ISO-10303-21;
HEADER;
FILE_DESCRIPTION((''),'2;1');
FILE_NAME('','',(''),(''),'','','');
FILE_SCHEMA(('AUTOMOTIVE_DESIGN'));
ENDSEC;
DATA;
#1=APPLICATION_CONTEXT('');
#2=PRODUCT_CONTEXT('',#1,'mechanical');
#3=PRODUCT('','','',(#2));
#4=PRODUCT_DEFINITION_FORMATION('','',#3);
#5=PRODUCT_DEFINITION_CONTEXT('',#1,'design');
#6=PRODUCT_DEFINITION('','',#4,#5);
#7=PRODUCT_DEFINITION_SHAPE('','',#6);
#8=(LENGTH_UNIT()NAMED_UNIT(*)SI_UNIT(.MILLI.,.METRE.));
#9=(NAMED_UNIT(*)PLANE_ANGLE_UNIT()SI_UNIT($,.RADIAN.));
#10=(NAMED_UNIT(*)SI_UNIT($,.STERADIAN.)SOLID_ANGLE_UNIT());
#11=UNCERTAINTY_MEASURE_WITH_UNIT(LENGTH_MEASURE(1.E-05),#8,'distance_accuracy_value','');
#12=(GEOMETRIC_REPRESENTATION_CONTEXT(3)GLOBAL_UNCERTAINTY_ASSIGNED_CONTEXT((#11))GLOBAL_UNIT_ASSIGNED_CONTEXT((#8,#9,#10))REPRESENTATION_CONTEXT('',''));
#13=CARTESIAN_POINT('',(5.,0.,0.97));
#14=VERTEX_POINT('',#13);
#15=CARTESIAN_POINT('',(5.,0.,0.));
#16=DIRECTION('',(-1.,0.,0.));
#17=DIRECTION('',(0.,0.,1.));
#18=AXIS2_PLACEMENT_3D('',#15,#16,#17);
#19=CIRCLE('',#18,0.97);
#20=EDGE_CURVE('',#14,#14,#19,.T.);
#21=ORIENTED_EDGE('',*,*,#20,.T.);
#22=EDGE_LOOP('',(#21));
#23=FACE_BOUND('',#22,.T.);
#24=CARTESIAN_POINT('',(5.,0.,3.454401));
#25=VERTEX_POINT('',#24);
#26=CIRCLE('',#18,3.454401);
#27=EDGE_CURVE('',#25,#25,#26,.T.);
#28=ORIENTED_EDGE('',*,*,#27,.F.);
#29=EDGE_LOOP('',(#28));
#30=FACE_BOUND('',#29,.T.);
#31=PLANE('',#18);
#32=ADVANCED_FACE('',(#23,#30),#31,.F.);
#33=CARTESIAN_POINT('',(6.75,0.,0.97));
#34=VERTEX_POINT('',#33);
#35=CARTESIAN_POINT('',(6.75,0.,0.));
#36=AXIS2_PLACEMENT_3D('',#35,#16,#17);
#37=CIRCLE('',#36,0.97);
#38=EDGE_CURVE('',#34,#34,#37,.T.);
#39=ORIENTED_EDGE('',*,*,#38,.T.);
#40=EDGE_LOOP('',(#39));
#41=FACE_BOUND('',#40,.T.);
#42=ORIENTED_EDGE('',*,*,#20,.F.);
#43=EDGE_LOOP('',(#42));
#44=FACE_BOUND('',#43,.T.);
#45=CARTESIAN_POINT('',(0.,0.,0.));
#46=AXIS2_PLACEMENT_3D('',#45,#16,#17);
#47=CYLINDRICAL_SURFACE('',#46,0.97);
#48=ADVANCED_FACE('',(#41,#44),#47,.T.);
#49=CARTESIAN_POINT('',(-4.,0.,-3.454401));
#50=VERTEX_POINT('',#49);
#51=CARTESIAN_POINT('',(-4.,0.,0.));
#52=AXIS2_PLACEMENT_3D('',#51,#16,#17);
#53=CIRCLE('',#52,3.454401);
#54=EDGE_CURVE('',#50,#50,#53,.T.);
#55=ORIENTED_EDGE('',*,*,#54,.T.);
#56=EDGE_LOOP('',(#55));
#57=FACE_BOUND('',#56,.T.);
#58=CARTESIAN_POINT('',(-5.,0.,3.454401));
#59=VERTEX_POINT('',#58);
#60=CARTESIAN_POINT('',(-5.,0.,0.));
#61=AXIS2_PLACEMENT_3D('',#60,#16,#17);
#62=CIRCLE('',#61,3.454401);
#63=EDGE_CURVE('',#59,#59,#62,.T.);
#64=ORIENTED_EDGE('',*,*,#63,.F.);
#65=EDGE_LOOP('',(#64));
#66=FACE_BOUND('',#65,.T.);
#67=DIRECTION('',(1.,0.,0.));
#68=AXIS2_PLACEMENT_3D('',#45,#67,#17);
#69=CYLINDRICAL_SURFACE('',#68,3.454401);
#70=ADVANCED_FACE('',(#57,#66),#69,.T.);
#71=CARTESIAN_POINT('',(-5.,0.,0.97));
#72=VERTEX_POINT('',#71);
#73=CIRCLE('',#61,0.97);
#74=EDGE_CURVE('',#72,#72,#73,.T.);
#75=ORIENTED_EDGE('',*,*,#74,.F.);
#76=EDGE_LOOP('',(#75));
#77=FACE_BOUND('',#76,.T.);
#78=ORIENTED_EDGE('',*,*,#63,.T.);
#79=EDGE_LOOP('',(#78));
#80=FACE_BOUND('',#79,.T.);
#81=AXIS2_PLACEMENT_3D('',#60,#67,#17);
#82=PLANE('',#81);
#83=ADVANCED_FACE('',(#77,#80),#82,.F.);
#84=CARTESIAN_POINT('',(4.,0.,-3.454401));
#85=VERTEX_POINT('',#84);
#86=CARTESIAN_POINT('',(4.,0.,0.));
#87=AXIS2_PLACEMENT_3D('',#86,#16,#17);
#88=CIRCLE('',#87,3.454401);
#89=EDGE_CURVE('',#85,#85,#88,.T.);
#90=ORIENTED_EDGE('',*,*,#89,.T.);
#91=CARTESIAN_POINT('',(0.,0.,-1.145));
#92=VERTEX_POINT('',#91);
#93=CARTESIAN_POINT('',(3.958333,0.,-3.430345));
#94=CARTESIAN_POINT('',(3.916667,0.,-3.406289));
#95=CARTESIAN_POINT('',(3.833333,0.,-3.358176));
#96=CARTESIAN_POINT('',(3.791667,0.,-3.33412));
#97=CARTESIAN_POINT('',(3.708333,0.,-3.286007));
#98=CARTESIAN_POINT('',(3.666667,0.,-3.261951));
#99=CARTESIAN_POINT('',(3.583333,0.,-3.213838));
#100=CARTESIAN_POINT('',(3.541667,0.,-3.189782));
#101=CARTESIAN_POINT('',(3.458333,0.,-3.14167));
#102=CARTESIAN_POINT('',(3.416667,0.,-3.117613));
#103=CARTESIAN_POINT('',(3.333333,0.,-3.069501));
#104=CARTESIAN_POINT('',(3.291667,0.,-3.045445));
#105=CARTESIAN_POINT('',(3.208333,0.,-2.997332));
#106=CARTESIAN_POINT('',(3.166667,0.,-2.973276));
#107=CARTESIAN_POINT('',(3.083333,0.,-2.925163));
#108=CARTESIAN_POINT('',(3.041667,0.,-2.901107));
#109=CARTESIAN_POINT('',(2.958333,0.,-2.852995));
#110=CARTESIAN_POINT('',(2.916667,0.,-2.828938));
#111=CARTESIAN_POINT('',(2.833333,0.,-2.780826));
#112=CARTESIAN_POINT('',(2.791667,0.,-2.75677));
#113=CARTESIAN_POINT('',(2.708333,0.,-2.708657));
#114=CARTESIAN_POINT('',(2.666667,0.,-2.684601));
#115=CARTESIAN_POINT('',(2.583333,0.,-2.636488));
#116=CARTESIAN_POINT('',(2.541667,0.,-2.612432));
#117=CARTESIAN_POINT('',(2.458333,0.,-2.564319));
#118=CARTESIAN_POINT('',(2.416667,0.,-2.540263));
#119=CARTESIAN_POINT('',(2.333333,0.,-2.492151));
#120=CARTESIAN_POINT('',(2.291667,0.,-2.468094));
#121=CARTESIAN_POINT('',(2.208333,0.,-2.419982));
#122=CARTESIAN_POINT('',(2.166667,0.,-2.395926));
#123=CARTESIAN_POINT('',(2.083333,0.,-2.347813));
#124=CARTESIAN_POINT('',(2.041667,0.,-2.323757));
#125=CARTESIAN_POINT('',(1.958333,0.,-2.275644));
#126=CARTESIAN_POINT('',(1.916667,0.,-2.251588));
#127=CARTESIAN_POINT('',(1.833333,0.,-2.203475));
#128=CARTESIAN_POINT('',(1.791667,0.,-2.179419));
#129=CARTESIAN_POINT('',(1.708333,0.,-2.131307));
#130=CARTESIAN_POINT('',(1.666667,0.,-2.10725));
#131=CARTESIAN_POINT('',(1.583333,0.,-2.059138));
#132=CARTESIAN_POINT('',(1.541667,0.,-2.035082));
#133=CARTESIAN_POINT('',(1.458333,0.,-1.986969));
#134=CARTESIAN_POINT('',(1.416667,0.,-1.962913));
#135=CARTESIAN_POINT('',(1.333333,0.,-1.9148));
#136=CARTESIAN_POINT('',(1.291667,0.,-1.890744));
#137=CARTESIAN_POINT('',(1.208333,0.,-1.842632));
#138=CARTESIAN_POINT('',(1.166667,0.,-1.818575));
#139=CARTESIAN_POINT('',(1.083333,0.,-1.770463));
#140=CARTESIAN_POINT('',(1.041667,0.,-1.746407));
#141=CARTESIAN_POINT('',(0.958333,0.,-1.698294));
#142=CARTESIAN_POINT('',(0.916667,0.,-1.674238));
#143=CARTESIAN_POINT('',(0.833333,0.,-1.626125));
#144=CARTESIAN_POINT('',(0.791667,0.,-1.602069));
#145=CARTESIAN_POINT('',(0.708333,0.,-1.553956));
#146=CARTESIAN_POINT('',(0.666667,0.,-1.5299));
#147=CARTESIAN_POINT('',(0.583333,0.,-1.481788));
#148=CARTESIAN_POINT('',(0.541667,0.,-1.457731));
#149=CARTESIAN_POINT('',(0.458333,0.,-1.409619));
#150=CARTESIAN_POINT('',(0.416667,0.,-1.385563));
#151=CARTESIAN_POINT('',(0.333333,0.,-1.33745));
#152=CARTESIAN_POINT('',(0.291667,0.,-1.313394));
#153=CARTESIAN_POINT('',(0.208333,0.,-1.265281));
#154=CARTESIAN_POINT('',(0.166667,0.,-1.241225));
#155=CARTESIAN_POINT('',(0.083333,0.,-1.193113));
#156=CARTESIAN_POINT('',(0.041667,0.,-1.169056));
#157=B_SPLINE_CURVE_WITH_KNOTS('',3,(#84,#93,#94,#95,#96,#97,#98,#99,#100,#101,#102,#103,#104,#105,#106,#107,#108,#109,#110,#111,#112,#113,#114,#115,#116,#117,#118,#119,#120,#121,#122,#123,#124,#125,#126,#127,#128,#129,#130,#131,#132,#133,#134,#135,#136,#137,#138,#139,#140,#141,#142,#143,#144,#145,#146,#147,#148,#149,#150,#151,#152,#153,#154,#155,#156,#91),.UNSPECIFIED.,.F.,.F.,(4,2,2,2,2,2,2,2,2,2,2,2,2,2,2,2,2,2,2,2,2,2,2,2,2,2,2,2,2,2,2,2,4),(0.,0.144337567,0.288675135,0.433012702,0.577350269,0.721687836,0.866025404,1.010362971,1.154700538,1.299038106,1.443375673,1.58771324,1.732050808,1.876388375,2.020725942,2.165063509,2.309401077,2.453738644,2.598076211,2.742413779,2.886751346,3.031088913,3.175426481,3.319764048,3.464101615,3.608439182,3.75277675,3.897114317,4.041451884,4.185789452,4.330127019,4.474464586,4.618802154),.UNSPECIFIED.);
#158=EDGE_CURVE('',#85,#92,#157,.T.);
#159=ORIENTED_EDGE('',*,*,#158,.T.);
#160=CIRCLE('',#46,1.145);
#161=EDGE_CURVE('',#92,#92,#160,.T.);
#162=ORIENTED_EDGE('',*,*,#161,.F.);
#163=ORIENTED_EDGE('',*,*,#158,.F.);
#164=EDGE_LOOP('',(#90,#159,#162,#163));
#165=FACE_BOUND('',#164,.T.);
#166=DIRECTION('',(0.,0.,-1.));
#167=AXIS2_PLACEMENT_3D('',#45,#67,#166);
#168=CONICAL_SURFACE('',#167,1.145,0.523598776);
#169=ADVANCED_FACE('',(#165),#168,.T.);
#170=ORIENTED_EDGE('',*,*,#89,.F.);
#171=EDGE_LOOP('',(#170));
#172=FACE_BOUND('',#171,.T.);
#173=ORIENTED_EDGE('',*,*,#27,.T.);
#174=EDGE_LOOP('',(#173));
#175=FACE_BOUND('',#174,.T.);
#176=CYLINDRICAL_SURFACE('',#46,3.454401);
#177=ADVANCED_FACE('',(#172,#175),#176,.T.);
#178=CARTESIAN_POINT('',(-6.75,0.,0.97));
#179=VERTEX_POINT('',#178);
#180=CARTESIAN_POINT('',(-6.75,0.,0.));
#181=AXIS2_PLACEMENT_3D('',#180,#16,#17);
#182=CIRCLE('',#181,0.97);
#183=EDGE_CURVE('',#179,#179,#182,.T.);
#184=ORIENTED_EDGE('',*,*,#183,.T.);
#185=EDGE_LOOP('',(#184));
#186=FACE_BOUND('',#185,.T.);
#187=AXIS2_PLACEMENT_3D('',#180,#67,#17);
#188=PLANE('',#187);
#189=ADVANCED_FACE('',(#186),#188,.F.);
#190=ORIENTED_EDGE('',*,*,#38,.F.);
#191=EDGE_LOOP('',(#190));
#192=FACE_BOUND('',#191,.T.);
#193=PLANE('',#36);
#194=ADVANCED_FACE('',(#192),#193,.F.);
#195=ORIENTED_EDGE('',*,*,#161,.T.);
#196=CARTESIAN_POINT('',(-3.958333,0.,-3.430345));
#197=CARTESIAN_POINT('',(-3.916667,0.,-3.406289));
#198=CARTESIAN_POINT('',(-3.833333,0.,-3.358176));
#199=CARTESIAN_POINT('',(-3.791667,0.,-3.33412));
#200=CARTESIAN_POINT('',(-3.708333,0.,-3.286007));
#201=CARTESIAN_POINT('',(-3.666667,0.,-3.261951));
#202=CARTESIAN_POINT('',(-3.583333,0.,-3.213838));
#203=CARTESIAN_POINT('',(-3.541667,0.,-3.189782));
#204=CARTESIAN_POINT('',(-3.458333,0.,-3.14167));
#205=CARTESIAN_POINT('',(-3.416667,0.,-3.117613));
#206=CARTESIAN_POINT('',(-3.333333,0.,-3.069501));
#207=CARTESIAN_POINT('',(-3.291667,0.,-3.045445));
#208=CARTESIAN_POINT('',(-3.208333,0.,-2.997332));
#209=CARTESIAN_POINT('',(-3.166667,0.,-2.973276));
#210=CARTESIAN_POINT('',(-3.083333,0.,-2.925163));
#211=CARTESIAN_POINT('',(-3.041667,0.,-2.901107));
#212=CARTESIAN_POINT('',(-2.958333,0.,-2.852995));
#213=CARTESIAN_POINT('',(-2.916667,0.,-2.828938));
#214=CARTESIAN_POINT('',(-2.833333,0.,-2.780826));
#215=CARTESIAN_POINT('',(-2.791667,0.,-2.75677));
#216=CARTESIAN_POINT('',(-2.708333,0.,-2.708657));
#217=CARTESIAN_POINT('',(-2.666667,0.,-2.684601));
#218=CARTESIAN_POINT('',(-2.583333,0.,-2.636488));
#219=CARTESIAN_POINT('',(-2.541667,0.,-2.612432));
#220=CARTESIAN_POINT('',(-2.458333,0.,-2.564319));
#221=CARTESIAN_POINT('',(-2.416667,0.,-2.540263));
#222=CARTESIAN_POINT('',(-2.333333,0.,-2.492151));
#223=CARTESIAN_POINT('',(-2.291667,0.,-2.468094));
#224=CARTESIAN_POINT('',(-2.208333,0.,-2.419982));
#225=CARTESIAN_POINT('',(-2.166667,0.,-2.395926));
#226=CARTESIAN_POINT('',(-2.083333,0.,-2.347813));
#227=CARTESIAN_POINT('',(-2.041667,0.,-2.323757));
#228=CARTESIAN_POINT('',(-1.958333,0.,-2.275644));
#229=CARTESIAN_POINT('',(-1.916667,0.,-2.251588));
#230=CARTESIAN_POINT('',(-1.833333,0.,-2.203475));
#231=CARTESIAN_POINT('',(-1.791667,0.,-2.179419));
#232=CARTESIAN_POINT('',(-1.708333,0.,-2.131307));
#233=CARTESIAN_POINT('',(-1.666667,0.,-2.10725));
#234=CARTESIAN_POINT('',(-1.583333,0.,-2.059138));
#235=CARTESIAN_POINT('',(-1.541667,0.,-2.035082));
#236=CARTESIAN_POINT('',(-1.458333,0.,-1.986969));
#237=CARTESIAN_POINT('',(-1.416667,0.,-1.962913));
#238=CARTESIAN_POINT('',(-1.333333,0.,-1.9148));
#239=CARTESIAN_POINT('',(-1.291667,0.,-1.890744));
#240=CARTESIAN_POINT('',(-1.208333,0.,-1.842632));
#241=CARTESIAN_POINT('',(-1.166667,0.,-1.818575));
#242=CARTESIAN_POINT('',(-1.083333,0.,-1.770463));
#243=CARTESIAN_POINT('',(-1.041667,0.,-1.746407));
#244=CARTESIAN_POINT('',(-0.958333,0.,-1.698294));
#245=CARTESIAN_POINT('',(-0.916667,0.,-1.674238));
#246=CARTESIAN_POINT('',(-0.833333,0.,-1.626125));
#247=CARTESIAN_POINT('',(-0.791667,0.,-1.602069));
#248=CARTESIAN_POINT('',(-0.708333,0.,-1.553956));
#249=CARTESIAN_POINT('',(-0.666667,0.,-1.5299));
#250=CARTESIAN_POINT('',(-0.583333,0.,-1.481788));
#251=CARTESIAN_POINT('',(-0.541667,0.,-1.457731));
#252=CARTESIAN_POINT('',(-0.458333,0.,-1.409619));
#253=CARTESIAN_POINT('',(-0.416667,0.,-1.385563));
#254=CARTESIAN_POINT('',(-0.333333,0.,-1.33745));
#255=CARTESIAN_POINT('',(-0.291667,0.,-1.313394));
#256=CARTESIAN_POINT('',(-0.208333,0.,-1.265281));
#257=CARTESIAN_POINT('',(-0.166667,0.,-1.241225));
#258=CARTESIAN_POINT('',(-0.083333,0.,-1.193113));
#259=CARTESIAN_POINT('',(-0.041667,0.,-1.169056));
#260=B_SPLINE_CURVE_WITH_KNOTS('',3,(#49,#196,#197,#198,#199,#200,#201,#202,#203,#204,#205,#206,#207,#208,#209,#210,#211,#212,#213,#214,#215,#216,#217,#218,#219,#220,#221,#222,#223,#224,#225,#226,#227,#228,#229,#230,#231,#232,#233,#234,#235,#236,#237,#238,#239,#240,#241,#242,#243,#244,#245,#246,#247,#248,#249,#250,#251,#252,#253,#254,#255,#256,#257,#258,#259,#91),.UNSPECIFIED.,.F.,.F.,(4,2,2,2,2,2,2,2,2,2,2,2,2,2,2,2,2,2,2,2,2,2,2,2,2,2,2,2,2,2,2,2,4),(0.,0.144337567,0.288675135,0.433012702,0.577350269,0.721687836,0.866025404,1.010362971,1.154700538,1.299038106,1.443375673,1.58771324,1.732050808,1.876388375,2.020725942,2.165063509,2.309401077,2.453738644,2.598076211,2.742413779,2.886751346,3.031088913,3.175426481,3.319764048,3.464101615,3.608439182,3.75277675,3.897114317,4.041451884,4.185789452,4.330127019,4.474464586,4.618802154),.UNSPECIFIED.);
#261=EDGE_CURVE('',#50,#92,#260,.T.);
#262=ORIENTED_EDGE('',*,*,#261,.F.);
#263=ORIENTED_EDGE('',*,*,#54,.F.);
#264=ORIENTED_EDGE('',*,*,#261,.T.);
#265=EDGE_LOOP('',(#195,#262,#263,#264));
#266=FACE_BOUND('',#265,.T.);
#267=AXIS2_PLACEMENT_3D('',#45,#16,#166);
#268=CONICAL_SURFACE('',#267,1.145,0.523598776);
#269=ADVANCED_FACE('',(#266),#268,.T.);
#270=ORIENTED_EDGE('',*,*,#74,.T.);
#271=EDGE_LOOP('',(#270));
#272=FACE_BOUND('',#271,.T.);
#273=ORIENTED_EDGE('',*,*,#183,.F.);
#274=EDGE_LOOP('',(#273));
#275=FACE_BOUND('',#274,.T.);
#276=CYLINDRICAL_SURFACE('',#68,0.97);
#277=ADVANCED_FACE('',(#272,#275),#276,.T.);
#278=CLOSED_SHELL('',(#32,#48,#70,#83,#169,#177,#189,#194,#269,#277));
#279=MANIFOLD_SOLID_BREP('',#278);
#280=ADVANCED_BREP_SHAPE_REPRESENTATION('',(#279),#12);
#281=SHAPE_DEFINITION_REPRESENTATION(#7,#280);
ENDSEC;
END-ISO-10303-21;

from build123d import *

# Parameters (mm, degrees)
SKETCH1_W   = 1
SKETCH1_H   = 3.454401077
SKETCH1_W_2 = 1.75
SKETCH1_H_2 = 0.97


with BuildPart() as part:
    # Sketch1 → Revolve1 (revolve)
    with BuildSketch(Plane.XY, mode=Mode.PRIVATE) as revolve1_sk:
        Polygon((0, 0), (0, 1.145), (4, 3.454401077), (4, 0), align=None)
        with Locations((4.5, 1.727200539)):
            Rectangle(SKETCH1_W, SKETCH1_H)
        with Locations((5.875, 0.485)):
            Rectangle(SKETCH1_W_2, SKETCH1_H_2)
    revolve1 = revolve(revolve1_sk.sketch.rotate(Axis((0, 0, 0), (1, 0, 0)), 90), axis=Axis((0, 0, 0), (1, 0, 0)))

    # Mirror1: Revolve1 across plane
    add(revolve1.mirror(Plane(origin=(0, 0, 0), x_dir=(0, 0, 1), z_dir=(1, 0, 0))))


solid = part.part
